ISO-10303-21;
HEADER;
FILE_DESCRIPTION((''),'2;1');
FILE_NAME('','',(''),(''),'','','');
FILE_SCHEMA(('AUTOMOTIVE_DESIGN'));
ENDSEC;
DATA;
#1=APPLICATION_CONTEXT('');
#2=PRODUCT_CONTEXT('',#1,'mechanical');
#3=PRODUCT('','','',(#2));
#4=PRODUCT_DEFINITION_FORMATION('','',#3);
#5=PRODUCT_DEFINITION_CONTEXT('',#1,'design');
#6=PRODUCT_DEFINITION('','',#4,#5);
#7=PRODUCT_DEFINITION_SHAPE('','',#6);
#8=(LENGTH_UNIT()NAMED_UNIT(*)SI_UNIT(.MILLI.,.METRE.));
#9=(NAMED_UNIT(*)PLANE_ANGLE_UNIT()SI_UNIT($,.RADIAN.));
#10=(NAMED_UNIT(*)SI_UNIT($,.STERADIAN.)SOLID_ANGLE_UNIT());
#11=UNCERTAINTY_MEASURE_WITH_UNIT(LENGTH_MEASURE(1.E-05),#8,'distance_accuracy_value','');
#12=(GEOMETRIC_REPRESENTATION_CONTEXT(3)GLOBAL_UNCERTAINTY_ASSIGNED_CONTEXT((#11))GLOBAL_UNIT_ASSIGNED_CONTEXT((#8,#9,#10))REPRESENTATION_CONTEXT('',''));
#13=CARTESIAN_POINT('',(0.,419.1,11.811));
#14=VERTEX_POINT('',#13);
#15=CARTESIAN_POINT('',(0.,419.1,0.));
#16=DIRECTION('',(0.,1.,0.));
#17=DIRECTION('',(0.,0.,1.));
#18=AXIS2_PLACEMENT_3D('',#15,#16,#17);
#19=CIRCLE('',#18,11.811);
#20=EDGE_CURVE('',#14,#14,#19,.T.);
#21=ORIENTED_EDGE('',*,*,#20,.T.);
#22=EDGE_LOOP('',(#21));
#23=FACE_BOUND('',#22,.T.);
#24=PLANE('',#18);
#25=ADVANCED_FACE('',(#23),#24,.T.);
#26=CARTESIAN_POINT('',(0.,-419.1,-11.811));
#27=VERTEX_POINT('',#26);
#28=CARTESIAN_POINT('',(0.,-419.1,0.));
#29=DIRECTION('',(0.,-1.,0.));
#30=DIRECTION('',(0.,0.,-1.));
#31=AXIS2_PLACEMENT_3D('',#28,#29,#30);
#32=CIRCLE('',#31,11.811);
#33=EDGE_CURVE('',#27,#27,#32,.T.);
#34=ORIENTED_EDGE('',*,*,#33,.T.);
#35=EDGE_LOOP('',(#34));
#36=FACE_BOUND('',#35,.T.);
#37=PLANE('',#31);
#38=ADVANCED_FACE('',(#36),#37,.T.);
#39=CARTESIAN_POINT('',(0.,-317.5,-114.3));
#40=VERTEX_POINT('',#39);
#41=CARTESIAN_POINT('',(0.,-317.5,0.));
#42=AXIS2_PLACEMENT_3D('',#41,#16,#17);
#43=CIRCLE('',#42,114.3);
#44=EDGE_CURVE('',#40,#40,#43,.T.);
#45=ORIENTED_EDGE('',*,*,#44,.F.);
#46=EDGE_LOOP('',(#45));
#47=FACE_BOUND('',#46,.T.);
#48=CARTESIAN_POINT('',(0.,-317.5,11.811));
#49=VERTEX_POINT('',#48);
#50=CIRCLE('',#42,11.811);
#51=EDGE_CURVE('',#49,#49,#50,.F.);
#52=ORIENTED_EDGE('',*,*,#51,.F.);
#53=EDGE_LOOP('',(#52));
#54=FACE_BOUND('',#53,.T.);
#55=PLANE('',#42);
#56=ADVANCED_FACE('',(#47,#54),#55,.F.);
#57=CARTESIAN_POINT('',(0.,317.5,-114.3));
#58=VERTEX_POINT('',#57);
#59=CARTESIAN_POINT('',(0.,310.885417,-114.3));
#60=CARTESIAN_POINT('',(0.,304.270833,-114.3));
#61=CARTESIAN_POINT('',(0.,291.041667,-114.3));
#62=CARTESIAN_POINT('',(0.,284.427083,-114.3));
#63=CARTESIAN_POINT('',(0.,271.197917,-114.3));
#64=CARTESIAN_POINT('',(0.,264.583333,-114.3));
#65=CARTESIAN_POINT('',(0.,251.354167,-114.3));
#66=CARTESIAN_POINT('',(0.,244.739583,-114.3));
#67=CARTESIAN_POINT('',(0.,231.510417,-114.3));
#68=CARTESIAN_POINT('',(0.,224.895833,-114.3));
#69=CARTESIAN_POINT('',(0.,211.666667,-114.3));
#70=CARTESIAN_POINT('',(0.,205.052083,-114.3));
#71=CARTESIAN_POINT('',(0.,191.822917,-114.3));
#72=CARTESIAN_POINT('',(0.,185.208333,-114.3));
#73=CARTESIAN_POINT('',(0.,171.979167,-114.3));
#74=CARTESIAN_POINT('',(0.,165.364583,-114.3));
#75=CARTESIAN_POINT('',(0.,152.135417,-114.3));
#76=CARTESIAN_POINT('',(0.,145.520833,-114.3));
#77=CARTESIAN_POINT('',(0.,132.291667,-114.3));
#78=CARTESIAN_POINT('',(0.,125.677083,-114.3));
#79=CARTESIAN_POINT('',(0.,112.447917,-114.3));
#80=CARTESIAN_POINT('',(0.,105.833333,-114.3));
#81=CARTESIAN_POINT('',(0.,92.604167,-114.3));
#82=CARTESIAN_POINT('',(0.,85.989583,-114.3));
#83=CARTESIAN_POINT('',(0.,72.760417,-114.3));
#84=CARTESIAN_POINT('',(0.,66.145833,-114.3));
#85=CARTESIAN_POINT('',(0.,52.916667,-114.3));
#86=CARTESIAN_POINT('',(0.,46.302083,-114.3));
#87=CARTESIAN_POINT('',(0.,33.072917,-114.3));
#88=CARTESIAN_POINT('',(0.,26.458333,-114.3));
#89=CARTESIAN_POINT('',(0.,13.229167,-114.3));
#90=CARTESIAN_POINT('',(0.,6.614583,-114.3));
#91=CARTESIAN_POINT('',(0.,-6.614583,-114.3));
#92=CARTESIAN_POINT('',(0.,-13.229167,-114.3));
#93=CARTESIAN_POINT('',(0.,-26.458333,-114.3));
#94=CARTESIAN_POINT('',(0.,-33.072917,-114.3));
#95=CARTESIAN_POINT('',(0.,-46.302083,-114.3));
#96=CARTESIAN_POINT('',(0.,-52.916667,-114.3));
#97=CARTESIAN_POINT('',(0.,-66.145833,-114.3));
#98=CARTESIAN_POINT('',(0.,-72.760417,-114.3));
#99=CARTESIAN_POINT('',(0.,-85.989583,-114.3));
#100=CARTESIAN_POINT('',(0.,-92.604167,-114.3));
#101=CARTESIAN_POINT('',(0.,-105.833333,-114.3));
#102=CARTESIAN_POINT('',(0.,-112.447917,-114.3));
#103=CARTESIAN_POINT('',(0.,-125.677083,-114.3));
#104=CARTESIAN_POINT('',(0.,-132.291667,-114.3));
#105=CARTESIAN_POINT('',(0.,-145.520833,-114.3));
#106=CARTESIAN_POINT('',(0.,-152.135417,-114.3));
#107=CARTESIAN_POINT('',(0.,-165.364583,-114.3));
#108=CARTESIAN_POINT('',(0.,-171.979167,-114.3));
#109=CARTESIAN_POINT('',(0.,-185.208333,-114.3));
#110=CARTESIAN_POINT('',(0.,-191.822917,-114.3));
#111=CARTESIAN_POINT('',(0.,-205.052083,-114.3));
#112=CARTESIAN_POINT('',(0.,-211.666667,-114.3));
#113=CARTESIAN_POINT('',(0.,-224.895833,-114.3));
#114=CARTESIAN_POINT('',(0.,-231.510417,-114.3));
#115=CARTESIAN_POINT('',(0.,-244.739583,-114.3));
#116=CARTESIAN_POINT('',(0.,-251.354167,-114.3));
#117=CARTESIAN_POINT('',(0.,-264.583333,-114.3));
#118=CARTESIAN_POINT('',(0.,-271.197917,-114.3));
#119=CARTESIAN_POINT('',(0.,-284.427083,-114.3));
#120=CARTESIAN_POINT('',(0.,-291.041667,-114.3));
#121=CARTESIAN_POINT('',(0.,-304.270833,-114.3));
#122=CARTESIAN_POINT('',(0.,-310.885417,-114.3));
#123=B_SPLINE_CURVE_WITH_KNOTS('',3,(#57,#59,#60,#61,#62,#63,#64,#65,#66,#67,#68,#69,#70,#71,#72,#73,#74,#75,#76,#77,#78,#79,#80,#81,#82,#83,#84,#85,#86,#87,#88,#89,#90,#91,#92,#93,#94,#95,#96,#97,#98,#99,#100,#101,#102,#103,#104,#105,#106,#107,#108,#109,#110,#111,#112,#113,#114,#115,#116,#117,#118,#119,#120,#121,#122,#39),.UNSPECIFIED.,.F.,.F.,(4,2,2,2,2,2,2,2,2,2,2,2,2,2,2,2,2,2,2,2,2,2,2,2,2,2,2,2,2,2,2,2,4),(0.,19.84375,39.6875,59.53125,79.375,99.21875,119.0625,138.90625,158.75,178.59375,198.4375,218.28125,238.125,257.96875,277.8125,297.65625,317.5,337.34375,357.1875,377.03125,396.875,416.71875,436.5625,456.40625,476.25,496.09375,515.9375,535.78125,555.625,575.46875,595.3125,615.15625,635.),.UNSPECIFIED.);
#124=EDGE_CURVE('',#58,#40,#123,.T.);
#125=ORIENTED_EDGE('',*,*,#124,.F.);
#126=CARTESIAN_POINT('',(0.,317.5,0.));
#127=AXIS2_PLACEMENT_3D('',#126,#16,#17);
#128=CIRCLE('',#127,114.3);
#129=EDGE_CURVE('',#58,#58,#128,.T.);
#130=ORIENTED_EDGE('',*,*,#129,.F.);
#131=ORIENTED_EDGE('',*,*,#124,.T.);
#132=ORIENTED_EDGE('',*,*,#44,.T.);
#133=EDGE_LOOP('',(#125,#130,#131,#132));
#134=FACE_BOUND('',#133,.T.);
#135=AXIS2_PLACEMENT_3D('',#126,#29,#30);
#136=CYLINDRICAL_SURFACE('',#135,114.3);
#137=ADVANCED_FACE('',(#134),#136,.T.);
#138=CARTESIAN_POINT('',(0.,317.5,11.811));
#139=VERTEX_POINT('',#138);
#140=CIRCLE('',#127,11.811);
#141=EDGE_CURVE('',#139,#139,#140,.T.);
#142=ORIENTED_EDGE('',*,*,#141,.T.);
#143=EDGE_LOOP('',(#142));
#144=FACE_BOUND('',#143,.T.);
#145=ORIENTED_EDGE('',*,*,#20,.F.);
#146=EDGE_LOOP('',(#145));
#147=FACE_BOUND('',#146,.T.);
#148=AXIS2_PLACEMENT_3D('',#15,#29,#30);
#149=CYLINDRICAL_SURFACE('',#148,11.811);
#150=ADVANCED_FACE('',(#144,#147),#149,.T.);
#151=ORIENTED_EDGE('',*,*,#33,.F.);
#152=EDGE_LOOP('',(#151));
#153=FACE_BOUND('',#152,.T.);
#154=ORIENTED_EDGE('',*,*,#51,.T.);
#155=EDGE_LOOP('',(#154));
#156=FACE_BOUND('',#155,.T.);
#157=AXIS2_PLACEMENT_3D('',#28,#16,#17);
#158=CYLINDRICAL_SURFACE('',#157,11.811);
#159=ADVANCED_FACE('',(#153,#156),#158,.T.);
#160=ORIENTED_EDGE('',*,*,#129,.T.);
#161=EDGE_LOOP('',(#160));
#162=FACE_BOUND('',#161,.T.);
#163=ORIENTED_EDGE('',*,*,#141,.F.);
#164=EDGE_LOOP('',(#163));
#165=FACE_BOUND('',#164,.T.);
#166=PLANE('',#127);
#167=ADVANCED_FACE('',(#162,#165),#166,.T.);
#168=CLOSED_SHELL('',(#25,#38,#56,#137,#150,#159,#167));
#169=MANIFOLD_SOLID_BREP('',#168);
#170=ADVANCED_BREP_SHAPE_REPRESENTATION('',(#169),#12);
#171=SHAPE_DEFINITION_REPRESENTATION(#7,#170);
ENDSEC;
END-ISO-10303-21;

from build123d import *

# Parameters (mm, degrees)
SKETCH1_R           = 114.3
BOSS_EXTRUDE1_DEPTH = 317.5
SKETCH2_R           = 11.811
BOSS_EXTRUDE2_DEPTH = 101.6
BOSS_EXTRUDE3_START = 101.6
SKETCH3_R           = 11.811
BOSS_EXTRUDE3_DEPTH = 101.6


with BuildPart() as part:
    # Sketch1 → Boss-Extrude1 (new, symmetric)
    with BuildSketch(Plane(origin=(0, 0, 0), x_dir=(1, 0, 0), z_dir=(0, 1, 0))):
        with Locations(Location((0, 0, 0), (0, 0, 90))):
            Circle(SKETCH1_R)
    extrude(amount=BOSS_EXTRUDE1_DEPTH, both=True)

    # Sketch2 → Boss-Extrude2 (add)
    with BuildSketch(Plane(origin=(0, 317.5, 0), x_dir=(1, 0, 0), z_dir=(0, 1, 0))):
        with Locations(Location((0, 0, 0), (0, 0, 270))):
            Circle(SKETCH2_R)
    extrude(amount=BOSS_EXTRUDE2_DEPTH)

    # Sketch3 → Boss-Extrude3 (add)
    with BuildSketch(Plane.XZ.offset(317.5).offset(BOSS_EXTRUDE3_START)):
        with Locations(Location((0, 0, 0), (0, 0, 90))):
            Circle(SKETCH3_R)
    extrude(amount=-BOSS_EXTRUDE3_DEPTH)


solid = part.part
